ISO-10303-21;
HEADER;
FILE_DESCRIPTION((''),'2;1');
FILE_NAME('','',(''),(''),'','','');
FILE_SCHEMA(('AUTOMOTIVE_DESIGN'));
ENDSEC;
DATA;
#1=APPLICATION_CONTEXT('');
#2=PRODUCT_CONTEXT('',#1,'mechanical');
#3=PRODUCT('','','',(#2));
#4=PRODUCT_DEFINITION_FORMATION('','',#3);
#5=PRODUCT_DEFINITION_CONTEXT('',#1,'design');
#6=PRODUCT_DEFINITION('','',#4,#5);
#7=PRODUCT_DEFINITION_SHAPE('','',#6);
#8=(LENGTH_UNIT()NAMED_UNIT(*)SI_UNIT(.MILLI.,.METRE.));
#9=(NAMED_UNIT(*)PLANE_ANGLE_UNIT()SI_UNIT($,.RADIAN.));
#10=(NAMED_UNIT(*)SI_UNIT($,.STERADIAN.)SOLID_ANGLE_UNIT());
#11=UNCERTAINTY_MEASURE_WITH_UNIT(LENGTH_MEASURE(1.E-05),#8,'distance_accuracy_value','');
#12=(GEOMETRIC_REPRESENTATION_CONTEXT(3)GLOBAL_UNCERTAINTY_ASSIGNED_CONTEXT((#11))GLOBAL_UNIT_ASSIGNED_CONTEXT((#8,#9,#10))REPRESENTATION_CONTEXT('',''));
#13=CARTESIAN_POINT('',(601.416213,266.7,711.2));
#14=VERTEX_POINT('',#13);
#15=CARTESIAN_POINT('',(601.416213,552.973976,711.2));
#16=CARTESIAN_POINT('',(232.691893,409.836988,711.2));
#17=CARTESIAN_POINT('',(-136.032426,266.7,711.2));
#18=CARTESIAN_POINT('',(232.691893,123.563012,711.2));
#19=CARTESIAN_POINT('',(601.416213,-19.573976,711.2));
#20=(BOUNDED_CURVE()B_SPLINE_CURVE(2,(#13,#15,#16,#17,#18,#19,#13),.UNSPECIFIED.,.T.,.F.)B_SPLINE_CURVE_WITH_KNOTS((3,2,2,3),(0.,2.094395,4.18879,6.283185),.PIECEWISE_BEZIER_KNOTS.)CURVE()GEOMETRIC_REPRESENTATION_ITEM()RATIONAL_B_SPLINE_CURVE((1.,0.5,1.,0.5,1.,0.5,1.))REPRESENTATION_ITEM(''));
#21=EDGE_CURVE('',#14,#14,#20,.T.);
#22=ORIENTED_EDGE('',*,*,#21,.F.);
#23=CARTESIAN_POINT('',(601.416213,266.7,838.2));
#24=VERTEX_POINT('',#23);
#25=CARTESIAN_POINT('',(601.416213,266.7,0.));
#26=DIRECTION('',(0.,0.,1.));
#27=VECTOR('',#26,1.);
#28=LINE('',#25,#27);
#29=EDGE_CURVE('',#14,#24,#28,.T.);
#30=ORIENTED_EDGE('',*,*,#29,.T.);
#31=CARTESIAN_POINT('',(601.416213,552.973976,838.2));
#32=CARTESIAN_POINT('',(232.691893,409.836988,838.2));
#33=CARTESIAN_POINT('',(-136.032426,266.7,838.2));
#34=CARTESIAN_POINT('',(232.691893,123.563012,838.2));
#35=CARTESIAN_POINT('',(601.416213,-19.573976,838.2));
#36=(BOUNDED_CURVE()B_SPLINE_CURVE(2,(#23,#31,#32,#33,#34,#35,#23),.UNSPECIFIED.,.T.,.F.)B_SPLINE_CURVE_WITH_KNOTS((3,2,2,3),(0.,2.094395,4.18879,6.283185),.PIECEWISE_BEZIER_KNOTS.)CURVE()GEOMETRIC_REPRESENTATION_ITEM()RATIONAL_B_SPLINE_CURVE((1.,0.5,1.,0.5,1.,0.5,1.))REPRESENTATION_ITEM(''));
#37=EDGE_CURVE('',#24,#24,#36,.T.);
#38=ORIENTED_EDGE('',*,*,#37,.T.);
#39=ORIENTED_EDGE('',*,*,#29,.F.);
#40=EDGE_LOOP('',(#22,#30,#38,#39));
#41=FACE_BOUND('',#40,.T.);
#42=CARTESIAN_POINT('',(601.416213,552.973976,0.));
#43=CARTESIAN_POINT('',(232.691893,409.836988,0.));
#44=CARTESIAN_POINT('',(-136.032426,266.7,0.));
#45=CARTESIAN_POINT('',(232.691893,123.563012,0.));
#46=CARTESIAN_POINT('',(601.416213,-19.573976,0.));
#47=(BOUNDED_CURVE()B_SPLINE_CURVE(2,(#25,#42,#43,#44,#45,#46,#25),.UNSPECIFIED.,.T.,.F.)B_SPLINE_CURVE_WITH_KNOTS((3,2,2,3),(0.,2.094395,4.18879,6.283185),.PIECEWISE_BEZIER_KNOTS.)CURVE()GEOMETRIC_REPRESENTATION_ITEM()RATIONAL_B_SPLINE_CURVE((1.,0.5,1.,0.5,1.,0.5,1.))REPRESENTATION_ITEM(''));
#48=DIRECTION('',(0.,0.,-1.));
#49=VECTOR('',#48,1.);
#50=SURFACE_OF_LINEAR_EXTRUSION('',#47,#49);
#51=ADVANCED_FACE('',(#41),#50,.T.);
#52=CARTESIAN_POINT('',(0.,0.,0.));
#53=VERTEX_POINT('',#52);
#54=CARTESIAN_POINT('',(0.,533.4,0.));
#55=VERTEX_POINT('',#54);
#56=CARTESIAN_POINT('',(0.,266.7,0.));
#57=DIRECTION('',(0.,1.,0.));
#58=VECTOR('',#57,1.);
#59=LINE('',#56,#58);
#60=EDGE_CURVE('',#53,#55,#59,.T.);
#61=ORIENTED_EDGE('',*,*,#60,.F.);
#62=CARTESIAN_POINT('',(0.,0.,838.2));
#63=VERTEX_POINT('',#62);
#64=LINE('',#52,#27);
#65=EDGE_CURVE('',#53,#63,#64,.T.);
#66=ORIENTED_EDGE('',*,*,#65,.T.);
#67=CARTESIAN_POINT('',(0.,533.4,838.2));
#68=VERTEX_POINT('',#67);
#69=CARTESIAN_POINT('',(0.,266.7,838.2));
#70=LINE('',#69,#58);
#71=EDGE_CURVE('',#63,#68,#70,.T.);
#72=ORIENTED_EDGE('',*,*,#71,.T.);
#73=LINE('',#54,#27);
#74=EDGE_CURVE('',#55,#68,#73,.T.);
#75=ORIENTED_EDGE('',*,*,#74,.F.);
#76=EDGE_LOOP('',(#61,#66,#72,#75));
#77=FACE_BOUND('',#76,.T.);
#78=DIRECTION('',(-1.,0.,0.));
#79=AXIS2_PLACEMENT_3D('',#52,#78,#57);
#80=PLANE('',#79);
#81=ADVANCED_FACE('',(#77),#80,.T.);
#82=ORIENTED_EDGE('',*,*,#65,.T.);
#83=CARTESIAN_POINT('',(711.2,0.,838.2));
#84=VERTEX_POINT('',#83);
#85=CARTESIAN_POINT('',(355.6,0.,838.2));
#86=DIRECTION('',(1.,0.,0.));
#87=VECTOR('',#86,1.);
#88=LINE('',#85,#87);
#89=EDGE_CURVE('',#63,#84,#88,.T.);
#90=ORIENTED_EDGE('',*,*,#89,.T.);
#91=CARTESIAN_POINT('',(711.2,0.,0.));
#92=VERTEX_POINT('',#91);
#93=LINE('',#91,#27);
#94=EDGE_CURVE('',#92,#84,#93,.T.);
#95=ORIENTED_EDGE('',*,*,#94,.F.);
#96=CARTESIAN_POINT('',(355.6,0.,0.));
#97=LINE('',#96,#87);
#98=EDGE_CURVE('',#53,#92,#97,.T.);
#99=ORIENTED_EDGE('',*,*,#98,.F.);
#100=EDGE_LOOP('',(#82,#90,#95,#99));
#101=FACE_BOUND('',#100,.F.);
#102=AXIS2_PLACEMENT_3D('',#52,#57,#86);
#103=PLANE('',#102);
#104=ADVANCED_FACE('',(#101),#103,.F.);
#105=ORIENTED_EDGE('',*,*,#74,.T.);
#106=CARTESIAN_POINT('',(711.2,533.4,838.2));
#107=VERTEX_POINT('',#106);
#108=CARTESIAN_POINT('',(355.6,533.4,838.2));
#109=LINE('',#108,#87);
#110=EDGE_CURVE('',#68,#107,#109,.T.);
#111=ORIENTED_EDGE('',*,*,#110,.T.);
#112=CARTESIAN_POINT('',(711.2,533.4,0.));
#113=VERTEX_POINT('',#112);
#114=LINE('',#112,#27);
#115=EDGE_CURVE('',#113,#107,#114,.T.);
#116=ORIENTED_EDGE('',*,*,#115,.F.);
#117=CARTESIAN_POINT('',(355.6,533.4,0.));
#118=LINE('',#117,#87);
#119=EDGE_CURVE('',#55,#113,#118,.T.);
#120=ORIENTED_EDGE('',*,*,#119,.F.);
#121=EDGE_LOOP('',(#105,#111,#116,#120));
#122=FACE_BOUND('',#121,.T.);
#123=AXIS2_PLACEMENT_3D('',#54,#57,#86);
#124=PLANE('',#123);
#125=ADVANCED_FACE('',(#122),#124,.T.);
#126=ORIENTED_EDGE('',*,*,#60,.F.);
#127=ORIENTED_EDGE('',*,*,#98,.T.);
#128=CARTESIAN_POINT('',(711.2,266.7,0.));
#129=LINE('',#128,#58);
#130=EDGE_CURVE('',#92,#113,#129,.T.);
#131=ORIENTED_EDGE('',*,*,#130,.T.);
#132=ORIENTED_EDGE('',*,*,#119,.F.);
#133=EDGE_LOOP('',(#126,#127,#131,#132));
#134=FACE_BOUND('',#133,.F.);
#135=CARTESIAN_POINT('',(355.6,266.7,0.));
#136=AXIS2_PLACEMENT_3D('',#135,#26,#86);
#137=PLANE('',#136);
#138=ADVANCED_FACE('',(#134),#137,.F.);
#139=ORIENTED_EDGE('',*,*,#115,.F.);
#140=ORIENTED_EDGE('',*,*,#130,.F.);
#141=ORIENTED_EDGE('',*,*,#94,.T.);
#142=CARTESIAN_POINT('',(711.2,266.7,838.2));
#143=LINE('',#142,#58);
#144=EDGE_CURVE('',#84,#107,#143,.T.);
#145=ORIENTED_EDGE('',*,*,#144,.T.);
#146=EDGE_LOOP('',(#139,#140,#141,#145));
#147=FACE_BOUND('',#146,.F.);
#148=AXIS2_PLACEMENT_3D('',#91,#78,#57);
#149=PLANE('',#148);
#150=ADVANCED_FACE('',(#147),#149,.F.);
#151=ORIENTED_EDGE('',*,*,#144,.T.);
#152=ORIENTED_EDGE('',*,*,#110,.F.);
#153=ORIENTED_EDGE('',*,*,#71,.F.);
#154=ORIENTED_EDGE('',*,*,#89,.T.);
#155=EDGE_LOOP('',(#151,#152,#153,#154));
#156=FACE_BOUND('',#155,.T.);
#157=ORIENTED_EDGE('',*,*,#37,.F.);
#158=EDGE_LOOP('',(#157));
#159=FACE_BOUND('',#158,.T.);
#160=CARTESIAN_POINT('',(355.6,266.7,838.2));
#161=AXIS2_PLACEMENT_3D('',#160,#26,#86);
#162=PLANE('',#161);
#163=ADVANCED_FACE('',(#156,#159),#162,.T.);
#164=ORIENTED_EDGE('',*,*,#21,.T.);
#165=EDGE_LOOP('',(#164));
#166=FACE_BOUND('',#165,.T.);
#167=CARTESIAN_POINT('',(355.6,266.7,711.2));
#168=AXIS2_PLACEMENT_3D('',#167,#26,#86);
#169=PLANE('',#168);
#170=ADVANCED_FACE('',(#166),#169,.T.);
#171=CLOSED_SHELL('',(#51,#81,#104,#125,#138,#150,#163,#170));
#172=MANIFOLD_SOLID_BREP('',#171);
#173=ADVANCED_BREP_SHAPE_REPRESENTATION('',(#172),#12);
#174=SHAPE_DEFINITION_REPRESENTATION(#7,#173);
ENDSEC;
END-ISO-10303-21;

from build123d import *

# Parameters (mm, degrees)
F0_W     = 711.2
F0_H     = 533.4
F1_DEPTH = 838.2
F2_DEPTH = 711.2


with BuildPart() as f1:
    # F0 (on Top) → F1 (new body)
    with BuildSketch(Plane.XY):
        with Locations((355.6, 266.7)):
            Rectangle(F0_W, F0_H)
        with BuildLine():
            add(Edge.make_bspline(
                [(601.416213, 266.7), (601.416213, 552.973976), (232.691893, 409.836988), (-136.032426, 266.7), (232.691893, 123.563012), (601.416213, -19.573976), (601.416213, 266.7)],
                knots=[0, 0, 0, 2.094395, 2.094395, 4.18879, 4.18879, 6.283185, 6.283185, 6.283185], degree=2, weights=[1, 0.5, 1, 0.5, 1, 0.5, 1]))
        make_face(mode=Mode.SUBTRACT)
    extrude(amount=F1_DEPTH)

    # F0 (on Top) → F2 (join)
    with BuildSketch(Plane.XY):
        with BuildLine():
            add(Edge.make_bspline(
                [(601.416213, 266.7), (601.416213, 552.973976), (232.691893, 409.836988), (-136.032426, 266.7), (232.691893, 123.563012), (601.416213, -19.573976), (601.416213, 266.7)],
                knots=[0, 0, 0, 2.094395, 2.094395, 4.18879, 4.18879, 6.283185, 6.283185, 6.283185], degree=2, weights=[1, 0.5, 1, 0.5, 1, 0.5, 1]))
        make_face()
    extrude(amount=F2_DEPTH)


solid = f1.part
